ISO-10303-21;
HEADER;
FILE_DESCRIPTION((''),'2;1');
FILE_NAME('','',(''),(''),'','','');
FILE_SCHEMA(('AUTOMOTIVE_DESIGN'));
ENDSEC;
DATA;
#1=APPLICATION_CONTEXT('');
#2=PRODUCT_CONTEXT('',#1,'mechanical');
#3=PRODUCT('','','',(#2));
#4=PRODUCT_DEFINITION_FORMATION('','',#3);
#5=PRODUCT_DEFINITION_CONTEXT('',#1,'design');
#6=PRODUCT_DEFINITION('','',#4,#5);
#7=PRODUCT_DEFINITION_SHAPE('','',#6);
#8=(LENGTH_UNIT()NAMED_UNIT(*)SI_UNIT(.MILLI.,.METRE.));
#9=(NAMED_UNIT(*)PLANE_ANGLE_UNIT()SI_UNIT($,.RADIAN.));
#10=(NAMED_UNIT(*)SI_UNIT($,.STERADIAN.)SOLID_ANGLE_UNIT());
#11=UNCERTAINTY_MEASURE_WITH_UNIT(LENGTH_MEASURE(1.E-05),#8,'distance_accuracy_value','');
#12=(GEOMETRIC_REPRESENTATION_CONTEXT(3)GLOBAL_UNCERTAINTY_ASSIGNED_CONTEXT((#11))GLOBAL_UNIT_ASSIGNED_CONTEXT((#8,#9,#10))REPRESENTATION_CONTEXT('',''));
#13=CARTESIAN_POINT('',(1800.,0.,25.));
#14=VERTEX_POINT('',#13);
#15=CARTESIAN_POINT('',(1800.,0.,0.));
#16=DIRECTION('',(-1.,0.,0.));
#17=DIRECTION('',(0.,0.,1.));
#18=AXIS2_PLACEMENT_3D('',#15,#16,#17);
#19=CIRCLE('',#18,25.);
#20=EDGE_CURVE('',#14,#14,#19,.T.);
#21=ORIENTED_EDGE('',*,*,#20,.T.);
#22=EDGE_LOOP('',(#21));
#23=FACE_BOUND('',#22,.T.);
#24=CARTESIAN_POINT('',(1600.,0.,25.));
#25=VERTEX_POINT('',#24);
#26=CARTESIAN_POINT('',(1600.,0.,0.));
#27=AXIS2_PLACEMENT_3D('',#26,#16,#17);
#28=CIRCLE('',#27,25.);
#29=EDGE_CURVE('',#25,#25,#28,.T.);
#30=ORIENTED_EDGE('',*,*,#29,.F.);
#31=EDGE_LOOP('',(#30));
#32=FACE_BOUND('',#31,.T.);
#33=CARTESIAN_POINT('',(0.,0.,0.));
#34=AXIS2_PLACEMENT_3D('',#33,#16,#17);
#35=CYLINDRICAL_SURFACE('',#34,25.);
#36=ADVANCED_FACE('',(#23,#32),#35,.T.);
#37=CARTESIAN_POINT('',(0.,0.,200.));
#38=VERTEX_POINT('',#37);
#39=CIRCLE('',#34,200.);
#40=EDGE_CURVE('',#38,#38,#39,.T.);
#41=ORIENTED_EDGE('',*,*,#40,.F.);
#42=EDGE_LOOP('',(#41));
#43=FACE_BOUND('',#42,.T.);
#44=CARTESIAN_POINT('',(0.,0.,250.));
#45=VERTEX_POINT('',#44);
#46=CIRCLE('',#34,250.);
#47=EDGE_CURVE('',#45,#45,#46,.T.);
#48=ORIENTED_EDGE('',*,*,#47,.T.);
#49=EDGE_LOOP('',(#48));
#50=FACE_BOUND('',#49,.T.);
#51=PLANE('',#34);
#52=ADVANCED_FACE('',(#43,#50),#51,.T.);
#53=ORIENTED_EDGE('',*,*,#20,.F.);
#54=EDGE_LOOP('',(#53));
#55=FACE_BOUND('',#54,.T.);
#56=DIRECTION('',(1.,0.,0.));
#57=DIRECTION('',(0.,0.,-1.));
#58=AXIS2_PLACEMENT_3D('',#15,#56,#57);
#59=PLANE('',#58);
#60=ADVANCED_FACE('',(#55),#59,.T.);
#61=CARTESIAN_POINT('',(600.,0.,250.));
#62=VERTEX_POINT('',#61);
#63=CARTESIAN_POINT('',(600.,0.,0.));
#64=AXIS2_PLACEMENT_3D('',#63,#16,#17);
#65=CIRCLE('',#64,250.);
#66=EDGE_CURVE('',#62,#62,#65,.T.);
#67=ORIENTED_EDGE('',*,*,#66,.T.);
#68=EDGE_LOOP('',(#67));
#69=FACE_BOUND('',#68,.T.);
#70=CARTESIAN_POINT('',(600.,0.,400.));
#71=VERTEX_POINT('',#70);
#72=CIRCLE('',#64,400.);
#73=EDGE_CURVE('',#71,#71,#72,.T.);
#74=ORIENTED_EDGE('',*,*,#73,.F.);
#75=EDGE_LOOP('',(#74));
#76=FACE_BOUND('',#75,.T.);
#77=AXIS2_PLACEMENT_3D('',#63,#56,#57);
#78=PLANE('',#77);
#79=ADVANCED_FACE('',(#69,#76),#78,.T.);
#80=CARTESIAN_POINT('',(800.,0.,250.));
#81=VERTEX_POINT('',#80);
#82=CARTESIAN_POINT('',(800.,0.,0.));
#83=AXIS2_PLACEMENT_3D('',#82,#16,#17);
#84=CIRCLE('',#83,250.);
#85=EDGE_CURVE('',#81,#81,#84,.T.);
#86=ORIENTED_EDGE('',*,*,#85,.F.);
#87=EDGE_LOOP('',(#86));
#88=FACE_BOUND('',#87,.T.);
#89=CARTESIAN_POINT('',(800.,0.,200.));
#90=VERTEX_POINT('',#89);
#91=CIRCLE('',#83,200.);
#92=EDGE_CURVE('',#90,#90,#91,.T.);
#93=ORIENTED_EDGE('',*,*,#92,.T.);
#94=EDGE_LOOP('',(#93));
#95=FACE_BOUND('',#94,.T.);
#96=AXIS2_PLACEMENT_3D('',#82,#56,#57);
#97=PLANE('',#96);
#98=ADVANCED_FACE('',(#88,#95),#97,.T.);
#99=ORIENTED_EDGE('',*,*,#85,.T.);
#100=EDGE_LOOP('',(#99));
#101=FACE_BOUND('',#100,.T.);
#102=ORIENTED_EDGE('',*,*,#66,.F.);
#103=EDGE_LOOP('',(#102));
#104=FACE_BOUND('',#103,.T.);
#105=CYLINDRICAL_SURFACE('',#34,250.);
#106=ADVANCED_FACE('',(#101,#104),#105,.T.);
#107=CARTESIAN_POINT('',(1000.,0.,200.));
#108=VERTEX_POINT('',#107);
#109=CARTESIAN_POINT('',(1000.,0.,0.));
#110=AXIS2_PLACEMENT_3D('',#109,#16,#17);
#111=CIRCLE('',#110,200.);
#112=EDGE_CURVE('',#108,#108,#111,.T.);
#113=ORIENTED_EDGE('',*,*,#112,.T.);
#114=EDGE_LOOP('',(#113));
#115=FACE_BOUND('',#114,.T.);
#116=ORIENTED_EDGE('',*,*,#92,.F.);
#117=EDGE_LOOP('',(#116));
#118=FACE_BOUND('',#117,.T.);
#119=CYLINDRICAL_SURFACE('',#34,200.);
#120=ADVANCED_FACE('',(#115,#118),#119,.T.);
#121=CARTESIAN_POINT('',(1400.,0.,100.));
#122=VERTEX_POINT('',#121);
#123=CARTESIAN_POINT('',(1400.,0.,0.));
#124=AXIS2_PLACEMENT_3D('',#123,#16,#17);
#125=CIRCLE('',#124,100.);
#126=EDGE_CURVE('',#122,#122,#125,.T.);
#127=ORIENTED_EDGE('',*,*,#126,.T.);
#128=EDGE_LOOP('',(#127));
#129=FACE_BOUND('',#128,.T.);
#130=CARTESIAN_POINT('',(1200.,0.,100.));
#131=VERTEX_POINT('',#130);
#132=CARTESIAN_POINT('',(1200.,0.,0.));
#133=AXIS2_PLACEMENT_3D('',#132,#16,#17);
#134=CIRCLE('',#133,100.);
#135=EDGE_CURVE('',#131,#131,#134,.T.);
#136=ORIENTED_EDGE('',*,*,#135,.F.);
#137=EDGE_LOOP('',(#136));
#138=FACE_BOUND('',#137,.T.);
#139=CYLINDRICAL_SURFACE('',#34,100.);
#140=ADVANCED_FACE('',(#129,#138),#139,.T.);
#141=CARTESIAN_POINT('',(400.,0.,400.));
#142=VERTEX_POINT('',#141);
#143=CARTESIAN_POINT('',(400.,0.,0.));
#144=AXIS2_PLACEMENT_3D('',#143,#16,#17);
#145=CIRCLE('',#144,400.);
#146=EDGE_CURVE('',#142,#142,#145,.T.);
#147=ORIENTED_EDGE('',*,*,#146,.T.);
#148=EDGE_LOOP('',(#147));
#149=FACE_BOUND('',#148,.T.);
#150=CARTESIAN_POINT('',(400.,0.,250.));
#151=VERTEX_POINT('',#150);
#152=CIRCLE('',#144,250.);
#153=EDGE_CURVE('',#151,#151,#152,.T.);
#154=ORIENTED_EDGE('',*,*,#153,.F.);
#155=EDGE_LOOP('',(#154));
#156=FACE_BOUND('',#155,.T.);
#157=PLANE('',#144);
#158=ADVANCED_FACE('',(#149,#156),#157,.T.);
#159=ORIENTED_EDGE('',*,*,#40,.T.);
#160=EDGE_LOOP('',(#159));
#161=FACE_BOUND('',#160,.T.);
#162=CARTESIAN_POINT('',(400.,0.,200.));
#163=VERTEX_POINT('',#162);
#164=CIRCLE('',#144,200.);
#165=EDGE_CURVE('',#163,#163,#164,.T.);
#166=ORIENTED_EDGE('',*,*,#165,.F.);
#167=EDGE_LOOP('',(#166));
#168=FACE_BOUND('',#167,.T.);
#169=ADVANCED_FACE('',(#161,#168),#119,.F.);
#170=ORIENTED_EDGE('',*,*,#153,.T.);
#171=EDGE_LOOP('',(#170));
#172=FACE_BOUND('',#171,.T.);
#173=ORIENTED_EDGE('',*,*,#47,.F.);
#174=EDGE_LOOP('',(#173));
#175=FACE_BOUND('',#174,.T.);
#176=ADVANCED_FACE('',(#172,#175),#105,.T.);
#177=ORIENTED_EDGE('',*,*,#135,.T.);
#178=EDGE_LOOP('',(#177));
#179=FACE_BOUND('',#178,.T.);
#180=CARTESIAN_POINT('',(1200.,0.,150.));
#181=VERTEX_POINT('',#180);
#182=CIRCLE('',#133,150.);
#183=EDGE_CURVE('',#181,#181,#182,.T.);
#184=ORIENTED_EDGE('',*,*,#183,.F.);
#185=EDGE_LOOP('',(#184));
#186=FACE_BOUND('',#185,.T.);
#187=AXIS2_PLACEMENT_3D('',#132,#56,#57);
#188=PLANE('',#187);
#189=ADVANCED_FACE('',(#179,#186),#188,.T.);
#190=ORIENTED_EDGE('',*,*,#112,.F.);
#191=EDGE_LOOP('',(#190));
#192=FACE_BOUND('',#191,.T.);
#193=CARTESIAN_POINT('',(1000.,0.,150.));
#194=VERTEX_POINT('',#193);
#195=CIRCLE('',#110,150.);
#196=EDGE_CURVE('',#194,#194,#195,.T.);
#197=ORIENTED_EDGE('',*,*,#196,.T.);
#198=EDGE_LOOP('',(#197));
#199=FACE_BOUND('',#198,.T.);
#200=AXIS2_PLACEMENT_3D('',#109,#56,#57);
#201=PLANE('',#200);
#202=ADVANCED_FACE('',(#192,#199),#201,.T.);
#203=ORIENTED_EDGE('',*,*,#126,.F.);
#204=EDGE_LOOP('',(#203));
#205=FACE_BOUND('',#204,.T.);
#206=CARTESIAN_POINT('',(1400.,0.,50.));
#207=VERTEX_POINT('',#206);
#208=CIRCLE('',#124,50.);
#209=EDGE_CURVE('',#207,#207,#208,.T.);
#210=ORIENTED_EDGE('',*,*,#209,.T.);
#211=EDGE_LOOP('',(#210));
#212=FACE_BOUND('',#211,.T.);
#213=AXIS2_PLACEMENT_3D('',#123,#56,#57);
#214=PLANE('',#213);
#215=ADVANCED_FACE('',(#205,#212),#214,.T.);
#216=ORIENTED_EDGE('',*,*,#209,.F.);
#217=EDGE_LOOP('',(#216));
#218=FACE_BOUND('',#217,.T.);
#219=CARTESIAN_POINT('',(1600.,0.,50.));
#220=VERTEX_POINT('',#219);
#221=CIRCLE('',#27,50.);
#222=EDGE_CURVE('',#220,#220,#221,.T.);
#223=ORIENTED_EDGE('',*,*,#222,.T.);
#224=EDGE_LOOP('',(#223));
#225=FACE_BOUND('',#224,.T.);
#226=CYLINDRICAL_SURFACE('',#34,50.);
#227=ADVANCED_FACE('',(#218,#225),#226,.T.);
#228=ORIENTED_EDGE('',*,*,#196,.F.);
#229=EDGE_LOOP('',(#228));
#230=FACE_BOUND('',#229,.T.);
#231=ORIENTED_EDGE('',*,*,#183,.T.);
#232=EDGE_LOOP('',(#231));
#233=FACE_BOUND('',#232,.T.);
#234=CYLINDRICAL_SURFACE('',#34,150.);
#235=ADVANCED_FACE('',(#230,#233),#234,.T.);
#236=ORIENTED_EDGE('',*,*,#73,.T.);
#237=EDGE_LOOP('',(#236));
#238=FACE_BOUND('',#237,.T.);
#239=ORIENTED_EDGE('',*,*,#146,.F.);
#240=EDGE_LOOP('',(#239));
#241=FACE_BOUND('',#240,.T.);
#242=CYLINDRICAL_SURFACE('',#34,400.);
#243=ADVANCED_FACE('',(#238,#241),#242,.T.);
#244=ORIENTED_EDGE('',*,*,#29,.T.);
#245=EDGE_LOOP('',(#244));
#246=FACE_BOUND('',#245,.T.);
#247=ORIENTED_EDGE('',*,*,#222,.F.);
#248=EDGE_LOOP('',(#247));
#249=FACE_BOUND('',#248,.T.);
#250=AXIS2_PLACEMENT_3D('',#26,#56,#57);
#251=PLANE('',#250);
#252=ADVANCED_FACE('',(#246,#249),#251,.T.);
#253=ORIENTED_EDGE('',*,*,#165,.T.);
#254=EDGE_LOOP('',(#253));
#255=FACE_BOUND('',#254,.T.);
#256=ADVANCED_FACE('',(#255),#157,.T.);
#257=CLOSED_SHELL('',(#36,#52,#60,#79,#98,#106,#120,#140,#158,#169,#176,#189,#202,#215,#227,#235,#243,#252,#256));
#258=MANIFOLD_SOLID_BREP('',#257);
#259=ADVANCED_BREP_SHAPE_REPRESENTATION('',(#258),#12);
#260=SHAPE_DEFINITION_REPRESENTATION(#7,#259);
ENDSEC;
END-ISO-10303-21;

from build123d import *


with BuildPart() as part:
    # Sketch2 → Revolve6 (revolve)
    with BuildSketch(Plane.XY, mode=Mode.PRIVATE) as revolve6_sk:
        Polygon((1600, 50), (1600, 25), (1800, 25), (1800, 0), (400, 0), (400, 200), (0, 200), (0, 250), (400, 250), (400, 400), (600, 400), (600, 250), (800, 250), (800, 200), (1000, 200), (1000, 150), (1200, 150), (1200, 100), (1400, 100), (1400, 50), align=None)
    revolve(revolve6_sk.sketch.rotate(Axis((0, 0, 0), (1, 0, 0)), 90), axis=Axis((0, 0, 0), (1, 0, 0)))  # turned: the seam where the file's is


solid = part.part
